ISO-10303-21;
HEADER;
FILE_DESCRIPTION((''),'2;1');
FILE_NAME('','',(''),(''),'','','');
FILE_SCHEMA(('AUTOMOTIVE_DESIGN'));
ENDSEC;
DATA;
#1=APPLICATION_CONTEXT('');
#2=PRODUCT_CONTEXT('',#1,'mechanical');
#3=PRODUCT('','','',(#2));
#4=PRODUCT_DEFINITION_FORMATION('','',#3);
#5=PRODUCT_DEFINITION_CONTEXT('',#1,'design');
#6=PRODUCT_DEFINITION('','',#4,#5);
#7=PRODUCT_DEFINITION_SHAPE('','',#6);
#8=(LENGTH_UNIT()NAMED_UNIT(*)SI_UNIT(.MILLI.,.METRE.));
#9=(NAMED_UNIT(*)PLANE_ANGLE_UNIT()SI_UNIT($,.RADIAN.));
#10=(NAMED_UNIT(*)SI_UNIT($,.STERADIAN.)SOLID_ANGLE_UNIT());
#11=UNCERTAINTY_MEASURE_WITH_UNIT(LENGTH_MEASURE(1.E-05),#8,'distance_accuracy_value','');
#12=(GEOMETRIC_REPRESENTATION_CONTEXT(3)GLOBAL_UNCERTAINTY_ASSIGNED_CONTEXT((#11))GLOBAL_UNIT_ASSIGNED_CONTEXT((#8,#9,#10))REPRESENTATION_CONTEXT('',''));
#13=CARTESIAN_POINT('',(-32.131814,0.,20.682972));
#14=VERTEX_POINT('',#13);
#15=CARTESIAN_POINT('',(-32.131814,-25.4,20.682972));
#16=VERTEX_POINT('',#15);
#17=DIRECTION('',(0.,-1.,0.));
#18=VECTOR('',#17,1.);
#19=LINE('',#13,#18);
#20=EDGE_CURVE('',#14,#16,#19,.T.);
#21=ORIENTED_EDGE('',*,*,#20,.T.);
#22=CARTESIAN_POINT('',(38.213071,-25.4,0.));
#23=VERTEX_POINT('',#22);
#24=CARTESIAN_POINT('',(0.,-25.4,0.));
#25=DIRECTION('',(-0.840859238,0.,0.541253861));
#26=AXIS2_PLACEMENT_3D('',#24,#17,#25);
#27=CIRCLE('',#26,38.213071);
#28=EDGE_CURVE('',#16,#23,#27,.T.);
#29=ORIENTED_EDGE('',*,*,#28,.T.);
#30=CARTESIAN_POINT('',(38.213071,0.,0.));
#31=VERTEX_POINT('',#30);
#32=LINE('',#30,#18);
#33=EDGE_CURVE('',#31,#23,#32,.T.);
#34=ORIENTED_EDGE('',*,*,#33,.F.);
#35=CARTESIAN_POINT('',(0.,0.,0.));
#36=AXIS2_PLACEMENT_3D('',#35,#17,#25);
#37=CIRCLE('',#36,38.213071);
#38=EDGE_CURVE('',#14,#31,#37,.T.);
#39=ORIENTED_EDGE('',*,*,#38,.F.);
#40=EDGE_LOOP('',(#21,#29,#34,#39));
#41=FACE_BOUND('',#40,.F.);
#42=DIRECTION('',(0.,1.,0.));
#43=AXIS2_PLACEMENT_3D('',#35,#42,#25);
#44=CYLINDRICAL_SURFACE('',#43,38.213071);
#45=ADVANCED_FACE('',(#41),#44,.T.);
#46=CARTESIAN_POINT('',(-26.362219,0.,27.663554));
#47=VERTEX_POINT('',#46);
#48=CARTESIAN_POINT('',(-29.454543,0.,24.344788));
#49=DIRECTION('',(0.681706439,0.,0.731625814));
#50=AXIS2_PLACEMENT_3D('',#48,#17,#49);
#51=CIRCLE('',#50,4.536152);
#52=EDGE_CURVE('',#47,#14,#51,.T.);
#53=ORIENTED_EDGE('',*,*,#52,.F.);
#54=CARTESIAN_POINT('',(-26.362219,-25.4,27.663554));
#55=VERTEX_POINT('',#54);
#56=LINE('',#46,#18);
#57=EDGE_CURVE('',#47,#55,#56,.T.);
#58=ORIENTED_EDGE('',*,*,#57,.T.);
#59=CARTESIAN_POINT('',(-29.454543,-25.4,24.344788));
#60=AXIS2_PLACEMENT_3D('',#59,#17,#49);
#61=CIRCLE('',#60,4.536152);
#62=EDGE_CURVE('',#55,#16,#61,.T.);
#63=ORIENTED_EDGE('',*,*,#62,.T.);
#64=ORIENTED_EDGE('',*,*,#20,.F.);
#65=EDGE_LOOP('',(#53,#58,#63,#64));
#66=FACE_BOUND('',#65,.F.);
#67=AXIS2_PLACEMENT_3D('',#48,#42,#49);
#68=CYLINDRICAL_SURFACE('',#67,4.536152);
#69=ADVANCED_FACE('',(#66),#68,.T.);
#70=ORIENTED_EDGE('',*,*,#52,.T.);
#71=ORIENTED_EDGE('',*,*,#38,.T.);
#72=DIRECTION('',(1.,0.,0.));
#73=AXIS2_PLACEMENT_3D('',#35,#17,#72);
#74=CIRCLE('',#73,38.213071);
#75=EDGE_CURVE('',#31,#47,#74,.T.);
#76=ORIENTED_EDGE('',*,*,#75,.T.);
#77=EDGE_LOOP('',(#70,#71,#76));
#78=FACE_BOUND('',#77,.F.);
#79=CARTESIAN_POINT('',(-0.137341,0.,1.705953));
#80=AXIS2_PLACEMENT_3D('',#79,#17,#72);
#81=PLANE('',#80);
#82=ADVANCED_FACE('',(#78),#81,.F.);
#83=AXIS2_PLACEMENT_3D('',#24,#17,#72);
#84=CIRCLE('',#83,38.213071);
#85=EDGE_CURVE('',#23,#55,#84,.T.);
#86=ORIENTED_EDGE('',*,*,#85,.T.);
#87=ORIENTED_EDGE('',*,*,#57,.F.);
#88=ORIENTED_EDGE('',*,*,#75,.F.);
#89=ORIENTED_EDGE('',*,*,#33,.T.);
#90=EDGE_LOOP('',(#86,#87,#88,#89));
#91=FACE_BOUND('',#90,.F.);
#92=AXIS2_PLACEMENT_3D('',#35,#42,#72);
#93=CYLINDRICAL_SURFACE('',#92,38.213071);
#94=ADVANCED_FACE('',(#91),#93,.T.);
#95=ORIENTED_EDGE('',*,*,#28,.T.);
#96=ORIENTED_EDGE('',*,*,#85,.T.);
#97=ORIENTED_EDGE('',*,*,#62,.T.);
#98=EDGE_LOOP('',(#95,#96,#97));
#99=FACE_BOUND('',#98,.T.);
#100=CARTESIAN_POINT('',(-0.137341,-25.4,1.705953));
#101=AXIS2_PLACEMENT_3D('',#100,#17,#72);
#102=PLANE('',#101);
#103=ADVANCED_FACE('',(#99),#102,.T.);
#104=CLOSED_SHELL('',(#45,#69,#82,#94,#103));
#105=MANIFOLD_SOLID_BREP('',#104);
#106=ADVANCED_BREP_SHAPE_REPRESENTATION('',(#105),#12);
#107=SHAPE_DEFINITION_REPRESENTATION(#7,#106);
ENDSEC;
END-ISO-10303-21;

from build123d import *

# Parameters (mm, degrees)
F1_DEPTH = 25.4


with BuildPart() as f1:
    # F0 (on Front) → F1 (new body)
    with BuildSketch(Plane.XZ):
        with BuildLine():
            ThreePointArc((-32.1318141248, 20.6829724599), (-10.7792281761, -36.6612475054), (38.213071438, 0))
            ThreePointArc((38.213071438, 0), (15.0475491753, 35.1256329842), (-26.3622189594, 27.6635543678))
            ThreePointArc((-26.3622189594, 27.6635543678), (-25.2949800714, 26.1544048448), (-24.9183909456, 24.344788378))
            ThreePointArc((-24.9183909456, 24.344788378), (-27.4012326554, 20.2999654591), (-32.1318141248, 20.6829724599))
        make_face()
        with BuildLine():
            ThreePointArc((-24.9183909456, 24.344788378), (-25.2949800714, 26.1544048448), (-26.3622189594, 27.6635543678))
            ThreePointArc((-26.3622189594, 27.6635543678), (-29.4545430716, 24.344788378), (-32.1318141248, 20.6829724599))
            ThreePointArc((-32.1318141248, 20.6829724599), (-27.4012326554, 20.2999654591), (-24.9183909456, 24.344788378))
        make_face()
        with BuildLine():
            ThreePointArc((-32.1318141248, 20.6829724599), (-29.4545430716, 24.344788378), (-26.3622189594, 27.6635543678))
            ThreePointArc((-26.3622189594, 27.6635543678), (-32.9509981626, 27.2346807473), (-32.1318141248, 20.6829724599))
        make_face()
    extrude(amount=F1_DEPTH)


solid = f1.part
